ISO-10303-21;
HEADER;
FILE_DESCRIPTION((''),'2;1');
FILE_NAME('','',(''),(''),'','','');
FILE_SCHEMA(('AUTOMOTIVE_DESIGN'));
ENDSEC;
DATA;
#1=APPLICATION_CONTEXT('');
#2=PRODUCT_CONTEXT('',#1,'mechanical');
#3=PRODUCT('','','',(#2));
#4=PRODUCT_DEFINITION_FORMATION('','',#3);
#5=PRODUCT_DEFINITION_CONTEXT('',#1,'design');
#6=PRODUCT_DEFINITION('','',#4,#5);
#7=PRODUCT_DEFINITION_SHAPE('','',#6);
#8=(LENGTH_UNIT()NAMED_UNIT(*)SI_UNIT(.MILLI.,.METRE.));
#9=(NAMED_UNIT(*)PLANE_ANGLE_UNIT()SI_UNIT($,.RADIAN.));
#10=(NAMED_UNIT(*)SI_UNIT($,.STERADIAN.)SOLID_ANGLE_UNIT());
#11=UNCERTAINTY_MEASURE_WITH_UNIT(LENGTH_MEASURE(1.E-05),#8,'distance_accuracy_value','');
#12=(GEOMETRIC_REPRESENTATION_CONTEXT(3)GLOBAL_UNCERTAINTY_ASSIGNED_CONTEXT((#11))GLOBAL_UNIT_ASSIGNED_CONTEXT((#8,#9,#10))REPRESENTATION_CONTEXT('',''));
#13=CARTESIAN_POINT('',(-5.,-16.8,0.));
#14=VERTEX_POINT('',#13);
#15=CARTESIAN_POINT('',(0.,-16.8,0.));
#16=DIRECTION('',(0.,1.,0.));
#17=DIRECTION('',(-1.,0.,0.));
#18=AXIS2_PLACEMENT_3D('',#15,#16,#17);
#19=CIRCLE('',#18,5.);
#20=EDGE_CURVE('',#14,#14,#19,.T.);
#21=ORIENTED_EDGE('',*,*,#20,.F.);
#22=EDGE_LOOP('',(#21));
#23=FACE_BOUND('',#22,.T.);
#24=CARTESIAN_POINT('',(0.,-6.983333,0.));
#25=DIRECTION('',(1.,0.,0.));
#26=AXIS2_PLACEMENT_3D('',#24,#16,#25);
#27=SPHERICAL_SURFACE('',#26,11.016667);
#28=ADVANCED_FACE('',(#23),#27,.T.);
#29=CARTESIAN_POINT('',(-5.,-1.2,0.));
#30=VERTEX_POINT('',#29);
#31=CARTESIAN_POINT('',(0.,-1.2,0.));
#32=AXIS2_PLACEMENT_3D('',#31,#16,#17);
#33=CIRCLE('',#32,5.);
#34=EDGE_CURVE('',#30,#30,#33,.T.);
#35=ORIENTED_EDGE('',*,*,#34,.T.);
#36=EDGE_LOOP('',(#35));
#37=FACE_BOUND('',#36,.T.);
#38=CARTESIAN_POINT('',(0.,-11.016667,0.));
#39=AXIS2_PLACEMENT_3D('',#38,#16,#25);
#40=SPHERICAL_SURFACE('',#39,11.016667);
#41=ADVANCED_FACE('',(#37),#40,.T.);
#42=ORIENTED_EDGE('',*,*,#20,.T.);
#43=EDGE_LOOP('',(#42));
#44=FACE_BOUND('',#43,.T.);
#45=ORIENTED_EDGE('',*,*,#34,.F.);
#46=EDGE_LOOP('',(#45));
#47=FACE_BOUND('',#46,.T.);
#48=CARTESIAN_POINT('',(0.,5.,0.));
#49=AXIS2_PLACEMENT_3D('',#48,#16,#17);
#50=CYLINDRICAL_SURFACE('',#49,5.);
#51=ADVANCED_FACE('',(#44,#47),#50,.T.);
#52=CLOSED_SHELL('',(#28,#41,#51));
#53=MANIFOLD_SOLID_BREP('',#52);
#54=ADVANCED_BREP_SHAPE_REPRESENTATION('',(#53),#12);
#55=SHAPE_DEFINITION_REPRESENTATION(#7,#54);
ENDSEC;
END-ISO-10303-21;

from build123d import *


with BuildPart() as part:
    # Sketch1 → Revolve1 (revolve)
    with BuildSketch(Plane.XY):
        with BuildLine():
            Line((5, -1.2), (5, -16.8))
            ThreePointArc((5, -16.8), (2.570992026, -17.69580011), (0, -18))
            Line((0, -18), (0, 0))
            ThreePointArc((0, 0), (2.570992026, -0.30419989), (5, -1.2))
        make_face()
    revolve(axis=Axis((0, 5, 0), (0, -1, 0)))


solid = part.part
